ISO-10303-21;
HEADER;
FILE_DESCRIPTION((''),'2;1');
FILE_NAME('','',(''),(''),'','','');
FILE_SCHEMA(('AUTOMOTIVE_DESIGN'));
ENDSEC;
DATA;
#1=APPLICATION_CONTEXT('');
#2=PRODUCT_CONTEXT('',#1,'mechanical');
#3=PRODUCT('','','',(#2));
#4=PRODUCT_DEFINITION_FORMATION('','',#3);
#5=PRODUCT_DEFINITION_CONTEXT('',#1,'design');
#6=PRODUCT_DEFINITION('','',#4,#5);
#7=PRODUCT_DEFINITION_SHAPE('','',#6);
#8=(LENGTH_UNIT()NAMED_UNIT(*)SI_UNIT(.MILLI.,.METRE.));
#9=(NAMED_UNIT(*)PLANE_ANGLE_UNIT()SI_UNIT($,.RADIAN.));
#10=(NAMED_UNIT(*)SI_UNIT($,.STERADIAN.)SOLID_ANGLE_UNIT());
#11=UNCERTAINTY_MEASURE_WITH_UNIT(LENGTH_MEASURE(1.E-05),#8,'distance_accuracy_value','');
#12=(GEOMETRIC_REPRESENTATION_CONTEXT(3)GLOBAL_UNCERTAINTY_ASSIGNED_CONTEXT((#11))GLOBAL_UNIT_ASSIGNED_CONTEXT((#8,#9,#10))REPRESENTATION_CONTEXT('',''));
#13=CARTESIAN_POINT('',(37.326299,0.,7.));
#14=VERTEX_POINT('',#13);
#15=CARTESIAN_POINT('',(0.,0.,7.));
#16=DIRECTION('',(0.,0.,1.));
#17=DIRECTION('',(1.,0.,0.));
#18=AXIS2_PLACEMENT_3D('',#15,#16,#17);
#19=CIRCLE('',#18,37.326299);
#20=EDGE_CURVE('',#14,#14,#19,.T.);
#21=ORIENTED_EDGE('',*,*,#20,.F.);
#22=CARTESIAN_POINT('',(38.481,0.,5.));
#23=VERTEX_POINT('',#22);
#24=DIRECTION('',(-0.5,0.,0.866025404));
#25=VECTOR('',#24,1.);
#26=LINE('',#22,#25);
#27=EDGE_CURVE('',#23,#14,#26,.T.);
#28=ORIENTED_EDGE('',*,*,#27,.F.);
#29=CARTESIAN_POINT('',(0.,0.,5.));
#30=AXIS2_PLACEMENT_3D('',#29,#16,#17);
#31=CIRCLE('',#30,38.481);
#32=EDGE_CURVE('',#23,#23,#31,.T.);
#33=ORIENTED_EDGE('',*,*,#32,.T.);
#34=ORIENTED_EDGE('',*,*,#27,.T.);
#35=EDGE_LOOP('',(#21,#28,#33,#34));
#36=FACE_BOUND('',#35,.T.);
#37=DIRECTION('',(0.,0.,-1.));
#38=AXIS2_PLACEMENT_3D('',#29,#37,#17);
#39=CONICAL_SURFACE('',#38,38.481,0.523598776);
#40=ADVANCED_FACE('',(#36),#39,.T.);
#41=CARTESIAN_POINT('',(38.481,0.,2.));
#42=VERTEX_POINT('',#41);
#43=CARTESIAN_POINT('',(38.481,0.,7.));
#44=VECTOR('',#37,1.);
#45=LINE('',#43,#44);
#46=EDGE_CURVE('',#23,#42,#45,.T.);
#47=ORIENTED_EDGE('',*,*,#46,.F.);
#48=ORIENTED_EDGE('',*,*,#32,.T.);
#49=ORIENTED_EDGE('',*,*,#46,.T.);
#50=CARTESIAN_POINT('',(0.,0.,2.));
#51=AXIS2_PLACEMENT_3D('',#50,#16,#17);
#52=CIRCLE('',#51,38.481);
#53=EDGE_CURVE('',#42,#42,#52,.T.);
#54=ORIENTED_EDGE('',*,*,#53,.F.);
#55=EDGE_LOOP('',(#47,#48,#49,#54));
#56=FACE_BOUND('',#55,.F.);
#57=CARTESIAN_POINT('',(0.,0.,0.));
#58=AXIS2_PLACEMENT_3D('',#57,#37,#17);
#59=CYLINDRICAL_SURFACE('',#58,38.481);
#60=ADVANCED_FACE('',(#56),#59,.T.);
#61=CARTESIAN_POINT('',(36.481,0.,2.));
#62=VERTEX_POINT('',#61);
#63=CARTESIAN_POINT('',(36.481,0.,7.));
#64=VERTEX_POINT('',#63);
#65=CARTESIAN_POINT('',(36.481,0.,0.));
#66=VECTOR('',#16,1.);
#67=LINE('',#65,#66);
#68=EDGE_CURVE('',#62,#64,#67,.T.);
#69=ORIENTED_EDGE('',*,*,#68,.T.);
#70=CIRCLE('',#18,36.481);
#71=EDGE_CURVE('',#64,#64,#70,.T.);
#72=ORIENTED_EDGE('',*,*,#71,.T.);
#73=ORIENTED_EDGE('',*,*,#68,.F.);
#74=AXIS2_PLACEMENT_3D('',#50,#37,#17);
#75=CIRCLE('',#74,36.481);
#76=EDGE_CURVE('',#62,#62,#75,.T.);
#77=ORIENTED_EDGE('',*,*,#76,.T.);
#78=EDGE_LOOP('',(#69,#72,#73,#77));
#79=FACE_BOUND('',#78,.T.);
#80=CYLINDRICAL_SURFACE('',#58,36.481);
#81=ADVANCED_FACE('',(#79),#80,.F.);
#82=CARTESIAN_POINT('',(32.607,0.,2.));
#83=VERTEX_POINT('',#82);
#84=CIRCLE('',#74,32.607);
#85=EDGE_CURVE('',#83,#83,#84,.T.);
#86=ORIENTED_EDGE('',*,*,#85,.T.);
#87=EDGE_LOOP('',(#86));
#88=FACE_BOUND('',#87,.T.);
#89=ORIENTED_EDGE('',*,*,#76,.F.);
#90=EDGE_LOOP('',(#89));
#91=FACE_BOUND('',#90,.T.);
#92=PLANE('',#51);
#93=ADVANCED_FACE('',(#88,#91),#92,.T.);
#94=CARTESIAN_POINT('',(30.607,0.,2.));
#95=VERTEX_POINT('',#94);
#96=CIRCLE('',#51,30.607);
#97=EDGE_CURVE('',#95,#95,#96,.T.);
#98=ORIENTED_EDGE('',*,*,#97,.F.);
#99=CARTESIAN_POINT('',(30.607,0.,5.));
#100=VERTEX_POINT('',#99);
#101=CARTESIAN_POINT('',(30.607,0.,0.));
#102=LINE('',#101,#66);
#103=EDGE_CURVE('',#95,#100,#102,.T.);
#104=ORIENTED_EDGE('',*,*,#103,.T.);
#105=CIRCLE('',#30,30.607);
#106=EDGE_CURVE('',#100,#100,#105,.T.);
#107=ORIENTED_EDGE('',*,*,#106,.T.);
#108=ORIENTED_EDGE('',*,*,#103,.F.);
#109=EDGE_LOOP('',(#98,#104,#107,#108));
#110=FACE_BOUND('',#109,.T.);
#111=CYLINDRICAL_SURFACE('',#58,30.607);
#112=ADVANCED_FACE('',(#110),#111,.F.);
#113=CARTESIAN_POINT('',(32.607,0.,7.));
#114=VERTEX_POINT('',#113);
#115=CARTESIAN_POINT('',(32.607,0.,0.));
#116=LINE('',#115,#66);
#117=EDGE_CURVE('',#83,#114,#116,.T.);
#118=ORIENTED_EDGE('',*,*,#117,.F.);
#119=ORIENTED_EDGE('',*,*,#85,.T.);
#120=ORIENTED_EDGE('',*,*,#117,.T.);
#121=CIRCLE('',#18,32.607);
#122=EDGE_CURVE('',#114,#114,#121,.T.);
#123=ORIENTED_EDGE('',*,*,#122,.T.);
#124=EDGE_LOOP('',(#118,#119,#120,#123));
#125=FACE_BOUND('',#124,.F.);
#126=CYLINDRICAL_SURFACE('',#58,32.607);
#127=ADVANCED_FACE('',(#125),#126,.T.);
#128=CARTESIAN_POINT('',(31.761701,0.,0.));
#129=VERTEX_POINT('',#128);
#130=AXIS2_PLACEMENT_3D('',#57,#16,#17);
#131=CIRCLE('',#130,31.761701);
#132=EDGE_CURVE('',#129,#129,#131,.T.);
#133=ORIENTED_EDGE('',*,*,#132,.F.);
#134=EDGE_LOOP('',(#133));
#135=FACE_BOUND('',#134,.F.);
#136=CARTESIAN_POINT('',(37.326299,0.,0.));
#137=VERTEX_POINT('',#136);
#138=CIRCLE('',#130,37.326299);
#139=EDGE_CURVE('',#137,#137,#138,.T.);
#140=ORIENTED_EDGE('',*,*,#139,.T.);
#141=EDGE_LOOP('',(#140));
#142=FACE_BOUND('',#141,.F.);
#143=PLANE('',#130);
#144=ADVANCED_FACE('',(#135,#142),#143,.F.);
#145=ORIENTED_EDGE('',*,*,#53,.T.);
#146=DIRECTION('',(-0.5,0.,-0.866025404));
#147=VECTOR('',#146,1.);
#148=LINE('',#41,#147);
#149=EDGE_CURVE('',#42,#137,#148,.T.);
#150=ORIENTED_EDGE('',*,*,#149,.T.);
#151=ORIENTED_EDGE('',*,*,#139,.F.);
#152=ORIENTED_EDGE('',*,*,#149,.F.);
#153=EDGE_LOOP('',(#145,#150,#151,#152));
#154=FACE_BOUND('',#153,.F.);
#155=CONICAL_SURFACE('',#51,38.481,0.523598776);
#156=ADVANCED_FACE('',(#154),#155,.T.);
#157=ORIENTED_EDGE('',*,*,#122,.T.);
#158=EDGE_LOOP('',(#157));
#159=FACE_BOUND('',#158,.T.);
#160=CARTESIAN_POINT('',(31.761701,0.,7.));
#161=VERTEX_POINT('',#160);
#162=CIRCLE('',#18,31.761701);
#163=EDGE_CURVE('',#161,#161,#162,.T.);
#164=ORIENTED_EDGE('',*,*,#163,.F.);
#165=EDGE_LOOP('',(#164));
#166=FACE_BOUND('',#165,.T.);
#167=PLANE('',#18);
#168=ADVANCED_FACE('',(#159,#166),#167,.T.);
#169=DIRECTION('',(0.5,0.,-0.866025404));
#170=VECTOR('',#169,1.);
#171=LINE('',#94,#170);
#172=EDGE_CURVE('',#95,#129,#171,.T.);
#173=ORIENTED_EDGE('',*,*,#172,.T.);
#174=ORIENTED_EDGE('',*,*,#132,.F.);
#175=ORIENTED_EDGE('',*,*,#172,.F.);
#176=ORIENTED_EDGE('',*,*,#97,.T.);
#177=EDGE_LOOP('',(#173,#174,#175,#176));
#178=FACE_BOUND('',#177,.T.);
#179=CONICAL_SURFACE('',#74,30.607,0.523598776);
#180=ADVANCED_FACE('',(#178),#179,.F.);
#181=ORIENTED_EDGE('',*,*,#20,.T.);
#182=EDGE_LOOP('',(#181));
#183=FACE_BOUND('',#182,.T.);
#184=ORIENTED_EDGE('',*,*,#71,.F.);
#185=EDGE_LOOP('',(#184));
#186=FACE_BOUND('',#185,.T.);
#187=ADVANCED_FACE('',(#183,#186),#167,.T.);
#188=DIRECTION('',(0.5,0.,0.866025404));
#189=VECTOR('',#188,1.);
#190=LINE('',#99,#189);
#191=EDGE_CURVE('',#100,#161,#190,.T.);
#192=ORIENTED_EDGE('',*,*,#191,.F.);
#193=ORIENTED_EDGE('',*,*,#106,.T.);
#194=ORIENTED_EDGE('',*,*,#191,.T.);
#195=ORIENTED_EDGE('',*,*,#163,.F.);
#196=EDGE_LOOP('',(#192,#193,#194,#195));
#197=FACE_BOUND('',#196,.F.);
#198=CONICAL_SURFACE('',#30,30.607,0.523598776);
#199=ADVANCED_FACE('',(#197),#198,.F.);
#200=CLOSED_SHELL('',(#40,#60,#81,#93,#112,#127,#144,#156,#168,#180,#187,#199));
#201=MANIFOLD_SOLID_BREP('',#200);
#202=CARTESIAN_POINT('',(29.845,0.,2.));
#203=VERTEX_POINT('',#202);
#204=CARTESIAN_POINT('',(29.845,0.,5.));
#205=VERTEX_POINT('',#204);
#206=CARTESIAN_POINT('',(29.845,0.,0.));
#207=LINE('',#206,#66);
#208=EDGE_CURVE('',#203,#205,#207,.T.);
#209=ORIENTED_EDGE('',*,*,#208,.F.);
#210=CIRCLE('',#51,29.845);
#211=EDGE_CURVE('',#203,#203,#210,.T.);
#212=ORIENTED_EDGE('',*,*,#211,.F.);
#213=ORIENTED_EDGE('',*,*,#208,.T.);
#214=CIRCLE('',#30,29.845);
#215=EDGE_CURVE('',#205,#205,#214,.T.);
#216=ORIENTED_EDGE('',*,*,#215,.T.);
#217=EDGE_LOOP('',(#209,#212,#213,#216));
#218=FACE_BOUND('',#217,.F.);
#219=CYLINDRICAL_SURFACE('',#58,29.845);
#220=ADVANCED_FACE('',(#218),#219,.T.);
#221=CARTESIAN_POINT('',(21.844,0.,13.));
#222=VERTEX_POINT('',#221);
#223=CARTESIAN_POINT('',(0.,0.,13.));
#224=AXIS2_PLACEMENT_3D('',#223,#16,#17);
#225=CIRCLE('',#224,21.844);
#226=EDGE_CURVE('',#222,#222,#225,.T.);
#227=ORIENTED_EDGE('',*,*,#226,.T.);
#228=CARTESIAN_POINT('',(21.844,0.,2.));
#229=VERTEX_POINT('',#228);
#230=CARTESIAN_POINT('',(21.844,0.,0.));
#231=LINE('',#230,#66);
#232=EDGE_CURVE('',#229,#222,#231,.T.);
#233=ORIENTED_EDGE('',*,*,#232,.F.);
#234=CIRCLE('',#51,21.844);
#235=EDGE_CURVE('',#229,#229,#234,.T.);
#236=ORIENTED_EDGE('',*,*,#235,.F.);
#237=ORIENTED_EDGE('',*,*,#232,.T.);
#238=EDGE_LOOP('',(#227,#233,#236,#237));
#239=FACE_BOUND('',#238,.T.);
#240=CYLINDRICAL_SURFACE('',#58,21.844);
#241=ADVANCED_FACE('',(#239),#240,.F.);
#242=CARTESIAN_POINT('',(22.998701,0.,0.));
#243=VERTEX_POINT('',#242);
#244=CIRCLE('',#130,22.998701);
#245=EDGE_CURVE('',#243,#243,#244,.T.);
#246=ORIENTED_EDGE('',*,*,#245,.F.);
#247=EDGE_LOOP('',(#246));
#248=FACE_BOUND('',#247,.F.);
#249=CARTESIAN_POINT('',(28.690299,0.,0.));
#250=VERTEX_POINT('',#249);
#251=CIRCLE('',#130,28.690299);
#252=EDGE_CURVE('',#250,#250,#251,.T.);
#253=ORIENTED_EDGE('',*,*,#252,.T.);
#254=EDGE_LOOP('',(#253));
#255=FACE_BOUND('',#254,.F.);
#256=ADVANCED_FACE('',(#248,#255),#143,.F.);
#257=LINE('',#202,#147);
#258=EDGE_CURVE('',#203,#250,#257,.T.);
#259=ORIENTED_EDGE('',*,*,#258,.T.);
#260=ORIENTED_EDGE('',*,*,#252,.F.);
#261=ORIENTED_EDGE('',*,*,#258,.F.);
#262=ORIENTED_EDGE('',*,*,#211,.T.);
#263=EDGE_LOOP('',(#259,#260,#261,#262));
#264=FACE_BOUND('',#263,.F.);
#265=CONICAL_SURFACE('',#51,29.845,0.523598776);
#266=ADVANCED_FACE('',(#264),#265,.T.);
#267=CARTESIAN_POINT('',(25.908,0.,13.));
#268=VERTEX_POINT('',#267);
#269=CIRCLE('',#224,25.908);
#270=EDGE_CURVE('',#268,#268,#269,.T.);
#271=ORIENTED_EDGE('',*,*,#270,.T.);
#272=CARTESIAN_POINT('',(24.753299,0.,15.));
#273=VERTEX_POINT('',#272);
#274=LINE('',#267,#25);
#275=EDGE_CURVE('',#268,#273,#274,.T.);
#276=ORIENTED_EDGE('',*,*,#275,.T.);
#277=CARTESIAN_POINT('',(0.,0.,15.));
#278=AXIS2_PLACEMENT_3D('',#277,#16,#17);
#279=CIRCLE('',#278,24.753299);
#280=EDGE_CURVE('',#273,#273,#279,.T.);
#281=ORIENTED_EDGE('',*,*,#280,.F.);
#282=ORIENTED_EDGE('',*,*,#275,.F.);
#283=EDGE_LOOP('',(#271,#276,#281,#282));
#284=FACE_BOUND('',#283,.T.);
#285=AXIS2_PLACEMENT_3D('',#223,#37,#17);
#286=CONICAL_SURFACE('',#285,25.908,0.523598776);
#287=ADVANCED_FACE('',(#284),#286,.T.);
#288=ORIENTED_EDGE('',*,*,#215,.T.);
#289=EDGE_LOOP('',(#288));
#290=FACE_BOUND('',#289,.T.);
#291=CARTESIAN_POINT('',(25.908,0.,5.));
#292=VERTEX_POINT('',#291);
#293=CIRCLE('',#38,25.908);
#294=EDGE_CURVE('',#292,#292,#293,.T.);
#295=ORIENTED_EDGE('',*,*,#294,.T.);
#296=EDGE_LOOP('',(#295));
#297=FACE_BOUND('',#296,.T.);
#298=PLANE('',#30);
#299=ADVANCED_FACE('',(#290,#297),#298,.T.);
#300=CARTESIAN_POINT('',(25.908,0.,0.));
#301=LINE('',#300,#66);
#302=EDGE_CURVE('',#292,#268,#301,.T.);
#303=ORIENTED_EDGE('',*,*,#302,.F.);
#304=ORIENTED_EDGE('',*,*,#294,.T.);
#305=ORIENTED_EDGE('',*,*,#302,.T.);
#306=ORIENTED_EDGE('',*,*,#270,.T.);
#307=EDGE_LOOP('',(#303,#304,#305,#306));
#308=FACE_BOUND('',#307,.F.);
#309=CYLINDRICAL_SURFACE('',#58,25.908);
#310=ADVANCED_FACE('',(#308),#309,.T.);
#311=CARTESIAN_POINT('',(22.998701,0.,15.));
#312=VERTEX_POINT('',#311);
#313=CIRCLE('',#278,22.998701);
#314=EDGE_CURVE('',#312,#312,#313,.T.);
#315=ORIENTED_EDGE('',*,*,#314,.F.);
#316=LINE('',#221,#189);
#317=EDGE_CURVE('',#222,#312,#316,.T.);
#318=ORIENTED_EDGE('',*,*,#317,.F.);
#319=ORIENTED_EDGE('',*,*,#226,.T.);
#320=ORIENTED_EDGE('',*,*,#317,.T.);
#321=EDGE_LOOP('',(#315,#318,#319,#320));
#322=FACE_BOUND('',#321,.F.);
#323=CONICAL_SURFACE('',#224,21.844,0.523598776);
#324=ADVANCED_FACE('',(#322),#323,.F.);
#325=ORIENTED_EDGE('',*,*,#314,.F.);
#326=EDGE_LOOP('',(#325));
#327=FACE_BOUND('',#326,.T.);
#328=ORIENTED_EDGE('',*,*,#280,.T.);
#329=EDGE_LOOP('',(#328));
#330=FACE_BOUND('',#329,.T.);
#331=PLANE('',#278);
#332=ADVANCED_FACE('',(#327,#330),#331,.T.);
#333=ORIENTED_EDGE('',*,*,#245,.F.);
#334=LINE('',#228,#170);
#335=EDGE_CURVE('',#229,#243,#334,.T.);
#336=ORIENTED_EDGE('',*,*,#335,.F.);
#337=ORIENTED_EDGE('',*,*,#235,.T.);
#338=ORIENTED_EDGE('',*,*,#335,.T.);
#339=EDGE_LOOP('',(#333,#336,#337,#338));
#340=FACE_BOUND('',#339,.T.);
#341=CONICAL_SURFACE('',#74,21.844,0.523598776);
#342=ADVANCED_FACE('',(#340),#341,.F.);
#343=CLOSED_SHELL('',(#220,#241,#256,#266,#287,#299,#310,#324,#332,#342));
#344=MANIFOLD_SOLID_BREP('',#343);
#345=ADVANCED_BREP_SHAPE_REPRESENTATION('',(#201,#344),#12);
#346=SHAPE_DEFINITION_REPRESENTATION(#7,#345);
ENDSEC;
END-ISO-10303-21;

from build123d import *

# Parameters (mm, degrees)
F0_R       = 38.481
F0_R_2     = 36.481
F0_R_3     = 32.607
F0_R_4     = 30.607
F1_DEPTH   = 2
F2_DEPTH   = 7
F3_R       = 29.845
F3_R_2     = 25.908
F3_R_3     = 21.844
F4_DEPTH   = 5
F5_DEPTH   = 15
F6_SIZE2   = 1.1547005384
F6_SIZE    = 2
F6_2_SIZE2 = 1.1547005384
F6_2_SIZE  = 2
F7_SIZE2   = 1.1547005384
F7_SIZE    = 2
F8_SIZE2   = 1.1547005384
F8_SIZE    = 2
F9_SIZE2   = 1.1547005384
F9_SIZE    = 2


with BuildPart() as f1:
    # F0 (on Top) → F1 (new body)
    with BuildSketch(Plane.XY):
        Circle(F0_R)
        Circle(F0_R_2, mode=Mode.SUBTRACT)
        Circle(F0_R_2)
        Circle(F0_R_3, mode=Mode.SUBTRACT)
        Circle(F0_R_3)
        Circle(F0_R_4, mode=Mode.SUBTRACT)
    extrude(amount=F1_DEPTH)

    # F0 (on Top) → F2 (join)
    with BuildSketch(Plane.XY):
        Circle(F0_R)
        Circle(F0_R_2, mode=Mode.SUBTRACT)
        Circle(F0_R_3)
        Circle(F0_R_4, mode=Mode.SUBTRACT)
    extrude(amount=F2_DEPTH)

    # F8
    f8_edges = [f1.edges().sort_by_distance(p)[0] for p in [
        (-38.481, 0, 7),
        (-38.481, 0, 0),
    ]]
    f8_side = f1.faces().sort_by_distance((-38.481, 0, 3.5))[0]
    chamfer(f8_edges, length=F8_SIZE, length2=F8_SIZE2, reference=f8_side)

    # F9
    f9_edges = [f1.edges().sort_by_distance(p)[0] for p in [
        (-30.607, 0, 7),
        (-30.607, 0, 0),
    ]]
    f9_side = f1.faces().sort_by_distance((-30.607, 0, 3.5))[0]
    chamfer(f9_edges, length=F9_SIZE, length2=F9_SIZE2, reference=f9_side)


with BuildPart() as f4:
    # F3 (on Top) → F4 (new body)
    with BuildSketch(Plane.XY):
        Circle(F3_R)
        Circle(F3_R_2, mode=Mode.SUBTRACT)
        Circle(F3_R_2)
        Circle(F3_R_3, mode=Mode.SUBTRACT)
    extrude(amount=F4_DEPTH)

    # F3 (on Top) → F5 (join)
    with BuildSketch(Plane.XY):
        Circle(F3_R_2)
        Circle(F3_R_3, mode=Mode.SUBTRACT)
    extrude(amount=F5_DEPTH)

    # F6
    f6_edges = [f4.edges().sort_by_distance(p)[0] for p in [
        (-25.908, 0, 15),
    ]]
    f6_side = f4.faces().sort_by_distance((-25.908, 0, 10))[0]
    chamfer(f6_edges, length=F6_SIZE, length2=F6_SIZE2, reference=f6_side)

    # F6#2
    f6_2_edges = [f4.edges().sort_by_distance(p)[0] for p in [
        (-21.844, 0, 15),
        (-21.844, 0, 0),
    ]]
    f6_2_side = f4.faces().sort_by_distance((-21.844, 0, 7.5))[0]
    chamfer(f6_2_edges, length=F6_2_SIZE, length2=F6_2_SIZE2, reference=f6_2_side)

    # F7
    f7_edges = [f4.edges().sort_by_distance(p)[0] for p in [
        (-29.845, 0, 0),
    ]]
    f7_side = f4.faces().sort_by_distance((-29.845, 0, 2.5))[0]
    chamfer(f7_edges, length=F7_SIZE, length2=F7_SIZE2, reference=f7_side)


solid = Compound([f1.part, f4.part])
